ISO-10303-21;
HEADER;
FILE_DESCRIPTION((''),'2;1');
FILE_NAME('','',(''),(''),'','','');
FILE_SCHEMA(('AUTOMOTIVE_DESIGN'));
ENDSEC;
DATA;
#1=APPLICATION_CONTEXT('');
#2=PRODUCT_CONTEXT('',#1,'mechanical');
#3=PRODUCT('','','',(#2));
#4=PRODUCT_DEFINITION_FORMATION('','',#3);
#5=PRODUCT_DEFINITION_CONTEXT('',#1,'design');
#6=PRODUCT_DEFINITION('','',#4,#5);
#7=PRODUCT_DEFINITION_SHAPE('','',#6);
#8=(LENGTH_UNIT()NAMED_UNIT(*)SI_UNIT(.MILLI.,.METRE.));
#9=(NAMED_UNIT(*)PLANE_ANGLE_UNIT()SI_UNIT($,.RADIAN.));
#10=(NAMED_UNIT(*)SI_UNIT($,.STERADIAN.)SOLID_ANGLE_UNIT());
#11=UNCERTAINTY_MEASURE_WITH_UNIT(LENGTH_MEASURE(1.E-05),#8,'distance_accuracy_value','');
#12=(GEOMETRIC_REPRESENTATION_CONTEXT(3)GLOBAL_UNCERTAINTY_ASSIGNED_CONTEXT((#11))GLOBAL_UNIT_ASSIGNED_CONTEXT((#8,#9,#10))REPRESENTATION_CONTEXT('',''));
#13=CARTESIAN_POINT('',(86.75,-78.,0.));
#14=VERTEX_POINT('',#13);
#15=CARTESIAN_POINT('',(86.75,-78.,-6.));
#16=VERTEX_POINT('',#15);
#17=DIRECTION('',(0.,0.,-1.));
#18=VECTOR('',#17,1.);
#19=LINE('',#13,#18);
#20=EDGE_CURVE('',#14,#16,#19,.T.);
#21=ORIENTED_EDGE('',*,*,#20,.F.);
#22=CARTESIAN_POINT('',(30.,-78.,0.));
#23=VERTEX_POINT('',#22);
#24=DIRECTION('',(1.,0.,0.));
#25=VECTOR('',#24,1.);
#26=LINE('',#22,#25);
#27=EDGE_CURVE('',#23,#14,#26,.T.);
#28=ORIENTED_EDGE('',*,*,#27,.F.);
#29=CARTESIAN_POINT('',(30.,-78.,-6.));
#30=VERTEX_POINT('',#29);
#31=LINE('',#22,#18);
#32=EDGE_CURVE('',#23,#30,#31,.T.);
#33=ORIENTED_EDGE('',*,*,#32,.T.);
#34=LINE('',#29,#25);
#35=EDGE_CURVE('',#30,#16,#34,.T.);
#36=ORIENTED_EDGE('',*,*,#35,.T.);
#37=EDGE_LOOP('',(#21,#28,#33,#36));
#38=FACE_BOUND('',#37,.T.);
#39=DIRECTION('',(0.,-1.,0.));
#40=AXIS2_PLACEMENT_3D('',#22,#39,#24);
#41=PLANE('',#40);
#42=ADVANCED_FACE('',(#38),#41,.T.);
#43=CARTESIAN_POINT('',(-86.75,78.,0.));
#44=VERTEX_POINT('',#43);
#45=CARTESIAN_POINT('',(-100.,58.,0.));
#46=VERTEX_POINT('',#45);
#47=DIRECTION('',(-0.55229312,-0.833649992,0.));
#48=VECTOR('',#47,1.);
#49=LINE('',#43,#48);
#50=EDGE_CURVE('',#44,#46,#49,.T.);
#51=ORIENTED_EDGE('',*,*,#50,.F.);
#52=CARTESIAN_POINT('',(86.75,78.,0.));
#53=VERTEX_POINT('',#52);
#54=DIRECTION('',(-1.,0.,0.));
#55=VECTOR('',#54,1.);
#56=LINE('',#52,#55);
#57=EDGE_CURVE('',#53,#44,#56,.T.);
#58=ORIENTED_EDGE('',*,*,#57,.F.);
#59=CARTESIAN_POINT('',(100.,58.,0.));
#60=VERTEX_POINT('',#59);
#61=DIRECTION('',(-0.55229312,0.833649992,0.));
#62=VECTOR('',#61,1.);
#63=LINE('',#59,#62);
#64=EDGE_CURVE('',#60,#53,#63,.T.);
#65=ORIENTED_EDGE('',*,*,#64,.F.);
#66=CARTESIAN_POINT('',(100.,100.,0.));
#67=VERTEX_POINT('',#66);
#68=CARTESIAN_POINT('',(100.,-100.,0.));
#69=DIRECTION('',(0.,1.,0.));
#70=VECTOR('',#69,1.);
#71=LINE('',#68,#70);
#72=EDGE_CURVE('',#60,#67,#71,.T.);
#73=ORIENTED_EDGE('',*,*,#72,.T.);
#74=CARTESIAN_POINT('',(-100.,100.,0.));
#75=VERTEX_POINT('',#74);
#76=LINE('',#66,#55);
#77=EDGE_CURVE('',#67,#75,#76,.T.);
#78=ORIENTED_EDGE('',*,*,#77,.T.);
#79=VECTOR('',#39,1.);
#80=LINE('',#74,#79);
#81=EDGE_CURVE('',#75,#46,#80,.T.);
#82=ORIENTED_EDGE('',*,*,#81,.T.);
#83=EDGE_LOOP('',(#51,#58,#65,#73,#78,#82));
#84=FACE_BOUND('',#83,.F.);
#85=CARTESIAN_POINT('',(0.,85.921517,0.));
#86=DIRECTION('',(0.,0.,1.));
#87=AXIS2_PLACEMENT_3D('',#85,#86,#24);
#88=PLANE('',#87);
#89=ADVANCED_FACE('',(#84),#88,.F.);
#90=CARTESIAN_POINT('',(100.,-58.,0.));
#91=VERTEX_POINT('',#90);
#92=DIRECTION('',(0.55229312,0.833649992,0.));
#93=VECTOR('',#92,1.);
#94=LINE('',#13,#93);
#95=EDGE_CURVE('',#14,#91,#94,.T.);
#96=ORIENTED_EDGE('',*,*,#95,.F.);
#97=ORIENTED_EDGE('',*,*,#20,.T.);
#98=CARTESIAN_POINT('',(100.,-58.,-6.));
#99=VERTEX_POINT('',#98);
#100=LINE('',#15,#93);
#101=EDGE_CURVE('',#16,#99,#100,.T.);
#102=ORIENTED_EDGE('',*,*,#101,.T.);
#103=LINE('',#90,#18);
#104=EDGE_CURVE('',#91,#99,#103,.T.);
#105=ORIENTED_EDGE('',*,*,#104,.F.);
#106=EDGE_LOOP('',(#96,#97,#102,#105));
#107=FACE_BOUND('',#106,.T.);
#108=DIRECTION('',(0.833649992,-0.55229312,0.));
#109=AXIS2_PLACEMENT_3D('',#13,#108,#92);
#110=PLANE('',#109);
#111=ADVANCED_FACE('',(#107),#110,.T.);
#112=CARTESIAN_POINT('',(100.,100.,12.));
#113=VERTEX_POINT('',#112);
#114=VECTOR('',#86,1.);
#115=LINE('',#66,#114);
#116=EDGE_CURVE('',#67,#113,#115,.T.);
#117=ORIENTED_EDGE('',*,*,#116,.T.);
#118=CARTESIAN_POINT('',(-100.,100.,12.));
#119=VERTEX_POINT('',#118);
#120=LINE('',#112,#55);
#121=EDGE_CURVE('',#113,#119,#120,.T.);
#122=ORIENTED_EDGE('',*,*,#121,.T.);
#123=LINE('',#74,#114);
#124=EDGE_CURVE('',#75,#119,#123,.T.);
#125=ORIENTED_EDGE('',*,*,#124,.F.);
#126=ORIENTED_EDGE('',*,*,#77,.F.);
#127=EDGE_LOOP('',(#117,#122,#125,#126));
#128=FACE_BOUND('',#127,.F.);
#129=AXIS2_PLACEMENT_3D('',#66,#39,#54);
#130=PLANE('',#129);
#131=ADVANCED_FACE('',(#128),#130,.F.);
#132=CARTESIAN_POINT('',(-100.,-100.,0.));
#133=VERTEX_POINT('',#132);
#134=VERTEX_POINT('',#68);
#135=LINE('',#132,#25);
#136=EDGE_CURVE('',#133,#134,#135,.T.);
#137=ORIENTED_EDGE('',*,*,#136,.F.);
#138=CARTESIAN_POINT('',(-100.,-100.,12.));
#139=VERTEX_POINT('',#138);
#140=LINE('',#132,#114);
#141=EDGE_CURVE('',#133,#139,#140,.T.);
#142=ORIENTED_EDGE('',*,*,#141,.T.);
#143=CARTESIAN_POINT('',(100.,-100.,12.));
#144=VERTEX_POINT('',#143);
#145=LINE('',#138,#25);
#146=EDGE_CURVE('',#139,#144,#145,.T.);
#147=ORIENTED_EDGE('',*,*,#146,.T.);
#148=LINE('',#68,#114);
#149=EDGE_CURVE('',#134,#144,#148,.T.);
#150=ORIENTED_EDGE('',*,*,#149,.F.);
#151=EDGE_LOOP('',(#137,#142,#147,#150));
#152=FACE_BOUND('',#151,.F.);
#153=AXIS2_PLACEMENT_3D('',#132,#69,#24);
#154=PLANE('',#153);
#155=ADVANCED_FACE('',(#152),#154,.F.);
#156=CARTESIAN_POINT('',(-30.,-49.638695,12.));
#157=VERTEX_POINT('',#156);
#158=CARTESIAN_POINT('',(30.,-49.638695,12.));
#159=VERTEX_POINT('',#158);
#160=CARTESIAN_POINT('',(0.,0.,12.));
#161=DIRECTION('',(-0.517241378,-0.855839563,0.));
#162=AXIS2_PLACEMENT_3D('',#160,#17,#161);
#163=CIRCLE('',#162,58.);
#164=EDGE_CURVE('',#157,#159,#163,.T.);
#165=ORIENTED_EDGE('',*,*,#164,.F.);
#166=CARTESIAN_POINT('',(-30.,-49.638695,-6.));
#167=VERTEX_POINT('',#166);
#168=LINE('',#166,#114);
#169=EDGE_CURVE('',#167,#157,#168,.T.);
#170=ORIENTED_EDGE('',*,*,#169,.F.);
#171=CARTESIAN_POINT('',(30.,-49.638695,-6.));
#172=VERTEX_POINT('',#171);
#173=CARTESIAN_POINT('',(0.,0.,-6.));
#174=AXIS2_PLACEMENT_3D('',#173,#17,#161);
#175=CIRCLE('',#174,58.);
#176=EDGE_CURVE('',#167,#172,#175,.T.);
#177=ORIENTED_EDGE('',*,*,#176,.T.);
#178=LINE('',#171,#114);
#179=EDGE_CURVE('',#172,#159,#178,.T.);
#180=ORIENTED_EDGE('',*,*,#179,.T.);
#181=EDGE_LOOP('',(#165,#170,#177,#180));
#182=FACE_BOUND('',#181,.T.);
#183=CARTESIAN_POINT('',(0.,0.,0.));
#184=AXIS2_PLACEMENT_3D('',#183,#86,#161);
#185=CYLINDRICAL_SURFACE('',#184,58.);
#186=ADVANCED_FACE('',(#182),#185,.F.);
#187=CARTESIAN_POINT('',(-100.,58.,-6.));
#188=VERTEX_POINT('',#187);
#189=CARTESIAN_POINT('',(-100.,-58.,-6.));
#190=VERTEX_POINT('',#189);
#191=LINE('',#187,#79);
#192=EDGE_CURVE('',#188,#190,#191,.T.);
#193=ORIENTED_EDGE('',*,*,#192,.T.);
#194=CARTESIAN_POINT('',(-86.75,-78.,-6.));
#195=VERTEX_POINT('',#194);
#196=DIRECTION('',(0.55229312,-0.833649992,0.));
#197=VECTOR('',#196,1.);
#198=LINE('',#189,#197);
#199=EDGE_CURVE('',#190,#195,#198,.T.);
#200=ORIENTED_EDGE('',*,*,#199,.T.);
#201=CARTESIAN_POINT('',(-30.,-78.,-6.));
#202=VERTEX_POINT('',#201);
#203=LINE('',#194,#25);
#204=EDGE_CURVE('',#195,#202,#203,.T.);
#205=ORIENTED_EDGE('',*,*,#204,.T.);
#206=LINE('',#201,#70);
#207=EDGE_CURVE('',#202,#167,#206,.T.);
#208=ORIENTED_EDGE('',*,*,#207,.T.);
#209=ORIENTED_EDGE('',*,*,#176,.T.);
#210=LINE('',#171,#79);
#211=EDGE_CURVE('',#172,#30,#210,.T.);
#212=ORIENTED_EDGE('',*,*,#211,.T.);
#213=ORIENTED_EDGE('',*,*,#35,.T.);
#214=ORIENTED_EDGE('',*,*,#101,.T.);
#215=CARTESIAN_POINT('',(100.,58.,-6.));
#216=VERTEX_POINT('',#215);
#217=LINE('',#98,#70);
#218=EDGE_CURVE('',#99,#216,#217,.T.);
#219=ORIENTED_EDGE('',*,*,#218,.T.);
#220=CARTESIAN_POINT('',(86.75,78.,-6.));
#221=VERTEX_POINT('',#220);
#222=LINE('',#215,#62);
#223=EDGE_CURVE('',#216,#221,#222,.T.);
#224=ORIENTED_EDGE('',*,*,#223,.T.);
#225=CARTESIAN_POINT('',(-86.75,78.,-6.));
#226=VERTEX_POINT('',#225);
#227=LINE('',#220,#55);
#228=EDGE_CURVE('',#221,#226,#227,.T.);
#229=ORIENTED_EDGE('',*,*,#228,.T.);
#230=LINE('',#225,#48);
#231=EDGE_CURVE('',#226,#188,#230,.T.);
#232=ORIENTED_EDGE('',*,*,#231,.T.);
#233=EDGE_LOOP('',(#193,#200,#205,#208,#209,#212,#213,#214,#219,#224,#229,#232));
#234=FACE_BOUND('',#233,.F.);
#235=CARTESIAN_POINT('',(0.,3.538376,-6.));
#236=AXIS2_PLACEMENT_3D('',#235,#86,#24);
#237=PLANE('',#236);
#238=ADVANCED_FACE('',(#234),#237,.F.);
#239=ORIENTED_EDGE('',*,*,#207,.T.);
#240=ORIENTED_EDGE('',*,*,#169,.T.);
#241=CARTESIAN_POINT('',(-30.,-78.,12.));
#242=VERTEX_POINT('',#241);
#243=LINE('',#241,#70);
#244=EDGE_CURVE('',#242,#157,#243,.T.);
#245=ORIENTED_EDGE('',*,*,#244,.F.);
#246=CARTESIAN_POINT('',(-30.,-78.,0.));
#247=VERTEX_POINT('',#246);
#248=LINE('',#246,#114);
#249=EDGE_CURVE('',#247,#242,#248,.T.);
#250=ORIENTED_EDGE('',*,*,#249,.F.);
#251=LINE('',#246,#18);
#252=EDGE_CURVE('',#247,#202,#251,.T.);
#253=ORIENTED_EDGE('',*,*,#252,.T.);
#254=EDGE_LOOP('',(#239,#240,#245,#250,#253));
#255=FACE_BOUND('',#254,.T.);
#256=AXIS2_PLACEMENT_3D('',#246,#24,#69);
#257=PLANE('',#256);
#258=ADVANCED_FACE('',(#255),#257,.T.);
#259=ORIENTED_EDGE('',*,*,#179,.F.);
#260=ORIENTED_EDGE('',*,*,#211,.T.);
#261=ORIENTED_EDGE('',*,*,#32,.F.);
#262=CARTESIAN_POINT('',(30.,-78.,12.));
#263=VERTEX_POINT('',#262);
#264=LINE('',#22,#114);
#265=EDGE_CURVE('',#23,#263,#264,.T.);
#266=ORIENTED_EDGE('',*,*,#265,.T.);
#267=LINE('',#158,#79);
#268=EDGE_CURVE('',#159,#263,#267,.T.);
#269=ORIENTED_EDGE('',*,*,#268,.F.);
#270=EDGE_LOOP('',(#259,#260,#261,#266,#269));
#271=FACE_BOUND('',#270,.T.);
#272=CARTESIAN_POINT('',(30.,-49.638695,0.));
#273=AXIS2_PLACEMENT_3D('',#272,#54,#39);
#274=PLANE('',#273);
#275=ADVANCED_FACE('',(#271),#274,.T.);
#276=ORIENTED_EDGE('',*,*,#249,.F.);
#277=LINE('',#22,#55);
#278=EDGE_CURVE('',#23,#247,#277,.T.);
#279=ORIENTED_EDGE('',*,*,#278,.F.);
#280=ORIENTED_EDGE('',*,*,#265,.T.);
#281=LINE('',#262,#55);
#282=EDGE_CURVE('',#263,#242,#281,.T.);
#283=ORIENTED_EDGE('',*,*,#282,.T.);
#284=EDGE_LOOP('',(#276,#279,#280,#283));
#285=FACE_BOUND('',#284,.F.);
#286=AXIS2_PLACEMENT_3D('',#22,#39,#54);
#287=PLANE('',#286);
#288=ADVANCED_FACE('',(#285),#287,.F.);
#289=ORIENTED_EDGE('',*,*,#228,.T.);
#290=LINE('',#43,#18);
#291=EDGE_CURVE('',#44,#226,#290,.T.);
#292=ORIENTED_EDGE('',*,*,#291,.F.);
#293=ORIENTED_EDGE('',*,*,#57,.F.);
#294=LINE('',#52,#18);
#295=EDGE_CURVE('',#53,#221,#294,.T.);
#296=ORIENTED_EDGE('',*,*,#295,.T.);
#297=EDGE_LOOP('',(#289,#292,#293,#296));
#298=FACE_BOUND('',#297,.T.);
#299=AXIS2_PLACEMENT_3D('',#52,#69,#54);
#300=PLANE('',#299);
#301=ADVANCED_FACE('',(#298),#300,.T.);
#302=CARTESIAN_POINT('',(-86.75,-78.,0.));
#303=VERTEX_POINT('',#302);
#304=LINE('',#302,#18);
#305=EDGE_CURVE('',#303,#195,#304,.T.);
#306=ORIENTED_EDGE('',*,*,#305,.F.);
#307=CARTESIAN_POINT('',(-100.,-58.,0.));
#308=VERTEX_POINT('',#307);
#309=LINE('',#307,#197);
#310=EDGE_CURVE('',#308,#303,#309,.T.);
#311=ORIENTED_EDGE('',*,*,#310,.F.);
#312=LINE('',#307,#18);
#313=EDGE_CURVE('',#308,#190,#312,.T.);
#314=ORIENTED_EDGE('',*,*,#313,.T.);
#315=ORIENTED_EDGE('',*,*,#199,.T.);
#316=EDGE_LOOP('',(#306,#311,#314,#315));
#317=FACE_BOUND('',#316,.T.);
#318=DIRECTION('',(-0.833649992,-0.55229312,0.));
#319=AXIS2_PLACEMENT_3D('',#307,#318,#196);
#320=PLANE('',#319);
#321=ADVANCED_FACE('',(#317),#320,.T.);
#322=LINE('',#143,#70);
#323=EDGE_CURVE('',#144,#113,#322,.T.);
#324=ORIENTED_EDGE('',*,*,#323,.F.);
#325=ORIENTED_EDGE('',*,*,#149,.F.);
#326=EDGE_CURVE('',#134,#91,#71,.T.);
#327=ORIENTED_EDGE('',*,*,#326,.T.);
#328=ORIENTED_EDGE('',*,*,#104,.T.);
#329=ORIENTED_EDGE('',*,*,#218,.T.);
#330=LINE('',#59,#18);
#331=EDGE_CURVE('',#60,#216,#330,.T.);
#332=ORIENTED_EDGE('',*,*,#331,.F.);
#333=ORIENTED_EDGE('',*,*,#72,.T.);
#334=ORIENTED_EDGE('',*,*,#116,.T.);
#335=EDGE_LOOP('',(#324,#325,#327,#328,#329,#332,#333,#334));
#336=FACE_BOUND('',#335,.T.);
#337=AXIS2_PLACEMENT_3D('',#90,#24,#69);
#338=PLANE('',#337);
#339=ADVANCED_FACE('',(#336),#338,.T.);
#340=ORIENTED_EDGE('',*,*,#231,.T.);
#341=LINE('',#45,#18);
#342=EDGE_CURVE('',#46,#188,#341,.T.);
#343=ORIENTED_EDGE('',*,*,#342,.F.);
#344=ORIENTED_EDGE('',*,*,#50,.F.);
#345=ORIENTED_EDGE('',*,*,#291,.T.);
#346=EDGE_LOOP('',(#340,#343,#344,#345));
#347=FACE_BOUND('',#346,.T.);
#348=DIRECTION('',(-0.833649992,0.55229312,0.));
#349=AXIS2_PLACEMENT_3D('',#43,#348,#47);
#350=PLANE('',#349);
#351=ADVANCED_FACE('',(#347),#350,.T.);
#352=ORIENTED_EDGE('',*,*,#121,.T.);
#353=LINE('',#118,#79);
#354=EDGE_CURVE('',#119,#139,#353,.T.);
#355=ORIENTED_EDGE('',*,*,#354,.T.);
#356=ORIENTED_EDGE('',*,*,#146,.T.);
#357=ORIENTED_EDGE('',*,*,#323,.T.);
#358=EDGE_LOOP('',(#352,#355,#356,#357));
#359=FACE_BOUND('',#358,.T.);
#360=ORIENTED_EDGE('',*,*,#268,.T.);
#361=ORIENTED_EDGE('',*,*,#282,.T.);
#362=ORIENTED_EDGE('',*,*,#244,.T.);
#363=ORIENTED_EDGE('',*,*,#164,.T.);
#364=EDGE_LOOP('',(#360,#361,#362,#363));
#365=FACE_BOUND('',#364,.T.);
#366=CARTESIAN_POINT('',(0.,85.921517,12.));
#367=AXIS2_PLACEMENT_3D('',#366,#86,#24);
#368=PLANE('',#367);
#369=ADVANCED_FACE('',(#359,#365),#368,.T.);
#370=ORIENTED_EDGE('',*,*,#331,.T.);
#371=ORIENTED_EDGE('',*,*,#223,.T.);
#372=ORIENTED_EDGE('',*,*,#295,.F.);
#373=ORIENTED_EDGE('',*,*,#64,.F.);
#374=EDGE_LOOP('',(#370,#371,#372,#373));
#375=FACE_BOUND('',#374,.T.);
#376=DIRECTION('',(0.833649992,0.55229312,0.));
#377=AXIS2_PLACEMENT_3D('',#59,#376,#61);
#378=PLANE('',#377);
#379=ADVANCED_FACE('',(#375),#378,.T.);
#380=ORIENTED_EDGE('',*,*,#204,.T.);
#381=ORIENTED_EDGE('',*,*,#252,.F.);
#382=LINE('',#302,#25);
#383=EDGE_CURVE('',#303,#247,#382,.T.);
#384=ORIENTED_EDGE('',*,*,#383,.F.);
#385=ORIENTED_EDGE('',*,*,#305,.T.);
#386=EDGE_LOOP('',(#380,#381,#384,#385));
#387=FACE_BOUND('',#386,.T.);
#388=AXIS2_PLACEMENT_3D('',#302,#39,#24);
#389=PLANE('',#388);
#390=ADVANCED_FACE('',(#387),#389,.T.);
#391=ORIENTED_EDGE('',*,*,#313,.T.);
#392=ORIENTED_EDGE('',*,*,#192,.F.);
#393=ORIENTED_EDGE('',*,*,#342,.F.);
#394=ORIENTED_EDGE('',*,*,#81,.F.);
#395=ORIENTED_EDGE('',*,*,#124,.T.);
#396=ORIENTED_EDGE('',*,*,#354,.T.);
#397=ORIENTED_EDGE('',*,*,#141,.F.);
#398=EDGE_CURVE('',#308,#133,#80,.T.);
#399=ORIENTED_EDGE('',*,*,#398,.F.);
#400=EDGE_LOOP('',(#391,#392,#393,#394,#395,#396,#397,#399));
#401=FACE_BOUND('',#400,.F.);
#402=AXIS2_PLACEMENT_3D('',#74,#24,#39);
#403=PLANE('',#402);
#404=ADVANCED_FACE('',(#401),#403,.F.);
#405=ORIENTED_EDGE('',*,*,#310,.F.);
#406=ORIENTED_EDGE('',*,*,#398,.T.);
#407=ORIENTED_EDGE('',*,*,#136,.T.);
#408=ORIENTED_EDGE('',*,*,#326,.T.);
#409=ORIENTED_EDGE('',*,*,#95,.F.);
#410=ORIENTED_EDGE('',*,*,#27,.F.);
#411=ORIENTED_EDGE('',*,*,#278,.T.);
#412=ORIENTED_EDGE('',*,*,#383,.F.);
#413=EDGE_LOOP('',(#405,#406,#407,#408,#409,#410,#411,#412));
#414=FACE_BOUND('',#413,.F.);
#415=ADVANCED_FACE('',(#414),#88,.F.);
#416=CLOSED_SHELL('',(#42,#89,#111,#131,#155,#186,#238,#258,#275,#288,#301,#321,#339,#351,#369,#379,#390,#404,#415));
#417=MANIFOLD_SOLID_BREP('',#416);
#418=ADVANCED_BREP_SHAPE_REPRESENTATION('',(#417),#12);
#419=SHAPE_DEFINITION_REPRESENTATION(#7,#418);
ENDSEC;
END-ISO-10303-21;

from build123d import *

# Parameters (mm, degrees)
F1_DEPTH = 12
F2_DEPTH = 6


with BuildPart() as f1:
    # F0 (on Top) → F1 (new body)
    with BuildSketch(Plane.XY):
        Polygon((-86.75, 78), (86.75, 78), (100, 58), (100, 100), (-100, 100), (-100, 58), align=None)
        with BuildLine():
            Line((100, 58), (86.75, 78))
            Line((86.75, 78), (-86.75, 78))
            Line((-86.75, 78), (-100, 58))
            Line((-100, 58), (-100, -58))
            Line((-100, -58), (-86.75, -78))
            Line((-86.75, -78), (-30, -78))
            Line((-30, -78), (-30, -49.638695))
            ThreePointArc((-30, -49.638695), (0, 58), (30, -49.638695))
            Line((30, -49.638695), (30, -78))
            Line((30, -78), (86.75, -78))
            Line((86.75, -78), (100, -58))
            Line((100, -58), (100, 58))
        make_face()
        Polygon((100, -100), (100, -58), (86.75, -78), (30, -78), (-30, -78), (-86.75, -78), (-100, -58), (-100, -100), align=None)
    extrude(amount=F1_DEPTH)

    # F0 (on Top) → F2 (join)
    with BuildSketch(Plane.XY):
        with BuildLine():
            Line((100, 58), (86.75, 78))
            Line((86.75, 78), (-86.75, 78))
            Line((-86.75, 78), (-100, 58))
            Line((-100, 58), (-100, -58))
            Line((-100, -58), (-86.75, -78))
            Line((-86.75, -78), (-30, -78))
            Line((-30, -78), (-30, -49.638695))
            ThreePointArc((-30, -49.638695), (0, 58), (30, -49.638695))
            Line((30, -49.638695), (30, -78))
            Line((30, -78), (86.75, -78))
            Line((86.75, -78), (100, -58))
            Line((100, -58), (100, 58))
        make_face()
    extrude(amount=-F2_DEPTH)


solid = f1.part
